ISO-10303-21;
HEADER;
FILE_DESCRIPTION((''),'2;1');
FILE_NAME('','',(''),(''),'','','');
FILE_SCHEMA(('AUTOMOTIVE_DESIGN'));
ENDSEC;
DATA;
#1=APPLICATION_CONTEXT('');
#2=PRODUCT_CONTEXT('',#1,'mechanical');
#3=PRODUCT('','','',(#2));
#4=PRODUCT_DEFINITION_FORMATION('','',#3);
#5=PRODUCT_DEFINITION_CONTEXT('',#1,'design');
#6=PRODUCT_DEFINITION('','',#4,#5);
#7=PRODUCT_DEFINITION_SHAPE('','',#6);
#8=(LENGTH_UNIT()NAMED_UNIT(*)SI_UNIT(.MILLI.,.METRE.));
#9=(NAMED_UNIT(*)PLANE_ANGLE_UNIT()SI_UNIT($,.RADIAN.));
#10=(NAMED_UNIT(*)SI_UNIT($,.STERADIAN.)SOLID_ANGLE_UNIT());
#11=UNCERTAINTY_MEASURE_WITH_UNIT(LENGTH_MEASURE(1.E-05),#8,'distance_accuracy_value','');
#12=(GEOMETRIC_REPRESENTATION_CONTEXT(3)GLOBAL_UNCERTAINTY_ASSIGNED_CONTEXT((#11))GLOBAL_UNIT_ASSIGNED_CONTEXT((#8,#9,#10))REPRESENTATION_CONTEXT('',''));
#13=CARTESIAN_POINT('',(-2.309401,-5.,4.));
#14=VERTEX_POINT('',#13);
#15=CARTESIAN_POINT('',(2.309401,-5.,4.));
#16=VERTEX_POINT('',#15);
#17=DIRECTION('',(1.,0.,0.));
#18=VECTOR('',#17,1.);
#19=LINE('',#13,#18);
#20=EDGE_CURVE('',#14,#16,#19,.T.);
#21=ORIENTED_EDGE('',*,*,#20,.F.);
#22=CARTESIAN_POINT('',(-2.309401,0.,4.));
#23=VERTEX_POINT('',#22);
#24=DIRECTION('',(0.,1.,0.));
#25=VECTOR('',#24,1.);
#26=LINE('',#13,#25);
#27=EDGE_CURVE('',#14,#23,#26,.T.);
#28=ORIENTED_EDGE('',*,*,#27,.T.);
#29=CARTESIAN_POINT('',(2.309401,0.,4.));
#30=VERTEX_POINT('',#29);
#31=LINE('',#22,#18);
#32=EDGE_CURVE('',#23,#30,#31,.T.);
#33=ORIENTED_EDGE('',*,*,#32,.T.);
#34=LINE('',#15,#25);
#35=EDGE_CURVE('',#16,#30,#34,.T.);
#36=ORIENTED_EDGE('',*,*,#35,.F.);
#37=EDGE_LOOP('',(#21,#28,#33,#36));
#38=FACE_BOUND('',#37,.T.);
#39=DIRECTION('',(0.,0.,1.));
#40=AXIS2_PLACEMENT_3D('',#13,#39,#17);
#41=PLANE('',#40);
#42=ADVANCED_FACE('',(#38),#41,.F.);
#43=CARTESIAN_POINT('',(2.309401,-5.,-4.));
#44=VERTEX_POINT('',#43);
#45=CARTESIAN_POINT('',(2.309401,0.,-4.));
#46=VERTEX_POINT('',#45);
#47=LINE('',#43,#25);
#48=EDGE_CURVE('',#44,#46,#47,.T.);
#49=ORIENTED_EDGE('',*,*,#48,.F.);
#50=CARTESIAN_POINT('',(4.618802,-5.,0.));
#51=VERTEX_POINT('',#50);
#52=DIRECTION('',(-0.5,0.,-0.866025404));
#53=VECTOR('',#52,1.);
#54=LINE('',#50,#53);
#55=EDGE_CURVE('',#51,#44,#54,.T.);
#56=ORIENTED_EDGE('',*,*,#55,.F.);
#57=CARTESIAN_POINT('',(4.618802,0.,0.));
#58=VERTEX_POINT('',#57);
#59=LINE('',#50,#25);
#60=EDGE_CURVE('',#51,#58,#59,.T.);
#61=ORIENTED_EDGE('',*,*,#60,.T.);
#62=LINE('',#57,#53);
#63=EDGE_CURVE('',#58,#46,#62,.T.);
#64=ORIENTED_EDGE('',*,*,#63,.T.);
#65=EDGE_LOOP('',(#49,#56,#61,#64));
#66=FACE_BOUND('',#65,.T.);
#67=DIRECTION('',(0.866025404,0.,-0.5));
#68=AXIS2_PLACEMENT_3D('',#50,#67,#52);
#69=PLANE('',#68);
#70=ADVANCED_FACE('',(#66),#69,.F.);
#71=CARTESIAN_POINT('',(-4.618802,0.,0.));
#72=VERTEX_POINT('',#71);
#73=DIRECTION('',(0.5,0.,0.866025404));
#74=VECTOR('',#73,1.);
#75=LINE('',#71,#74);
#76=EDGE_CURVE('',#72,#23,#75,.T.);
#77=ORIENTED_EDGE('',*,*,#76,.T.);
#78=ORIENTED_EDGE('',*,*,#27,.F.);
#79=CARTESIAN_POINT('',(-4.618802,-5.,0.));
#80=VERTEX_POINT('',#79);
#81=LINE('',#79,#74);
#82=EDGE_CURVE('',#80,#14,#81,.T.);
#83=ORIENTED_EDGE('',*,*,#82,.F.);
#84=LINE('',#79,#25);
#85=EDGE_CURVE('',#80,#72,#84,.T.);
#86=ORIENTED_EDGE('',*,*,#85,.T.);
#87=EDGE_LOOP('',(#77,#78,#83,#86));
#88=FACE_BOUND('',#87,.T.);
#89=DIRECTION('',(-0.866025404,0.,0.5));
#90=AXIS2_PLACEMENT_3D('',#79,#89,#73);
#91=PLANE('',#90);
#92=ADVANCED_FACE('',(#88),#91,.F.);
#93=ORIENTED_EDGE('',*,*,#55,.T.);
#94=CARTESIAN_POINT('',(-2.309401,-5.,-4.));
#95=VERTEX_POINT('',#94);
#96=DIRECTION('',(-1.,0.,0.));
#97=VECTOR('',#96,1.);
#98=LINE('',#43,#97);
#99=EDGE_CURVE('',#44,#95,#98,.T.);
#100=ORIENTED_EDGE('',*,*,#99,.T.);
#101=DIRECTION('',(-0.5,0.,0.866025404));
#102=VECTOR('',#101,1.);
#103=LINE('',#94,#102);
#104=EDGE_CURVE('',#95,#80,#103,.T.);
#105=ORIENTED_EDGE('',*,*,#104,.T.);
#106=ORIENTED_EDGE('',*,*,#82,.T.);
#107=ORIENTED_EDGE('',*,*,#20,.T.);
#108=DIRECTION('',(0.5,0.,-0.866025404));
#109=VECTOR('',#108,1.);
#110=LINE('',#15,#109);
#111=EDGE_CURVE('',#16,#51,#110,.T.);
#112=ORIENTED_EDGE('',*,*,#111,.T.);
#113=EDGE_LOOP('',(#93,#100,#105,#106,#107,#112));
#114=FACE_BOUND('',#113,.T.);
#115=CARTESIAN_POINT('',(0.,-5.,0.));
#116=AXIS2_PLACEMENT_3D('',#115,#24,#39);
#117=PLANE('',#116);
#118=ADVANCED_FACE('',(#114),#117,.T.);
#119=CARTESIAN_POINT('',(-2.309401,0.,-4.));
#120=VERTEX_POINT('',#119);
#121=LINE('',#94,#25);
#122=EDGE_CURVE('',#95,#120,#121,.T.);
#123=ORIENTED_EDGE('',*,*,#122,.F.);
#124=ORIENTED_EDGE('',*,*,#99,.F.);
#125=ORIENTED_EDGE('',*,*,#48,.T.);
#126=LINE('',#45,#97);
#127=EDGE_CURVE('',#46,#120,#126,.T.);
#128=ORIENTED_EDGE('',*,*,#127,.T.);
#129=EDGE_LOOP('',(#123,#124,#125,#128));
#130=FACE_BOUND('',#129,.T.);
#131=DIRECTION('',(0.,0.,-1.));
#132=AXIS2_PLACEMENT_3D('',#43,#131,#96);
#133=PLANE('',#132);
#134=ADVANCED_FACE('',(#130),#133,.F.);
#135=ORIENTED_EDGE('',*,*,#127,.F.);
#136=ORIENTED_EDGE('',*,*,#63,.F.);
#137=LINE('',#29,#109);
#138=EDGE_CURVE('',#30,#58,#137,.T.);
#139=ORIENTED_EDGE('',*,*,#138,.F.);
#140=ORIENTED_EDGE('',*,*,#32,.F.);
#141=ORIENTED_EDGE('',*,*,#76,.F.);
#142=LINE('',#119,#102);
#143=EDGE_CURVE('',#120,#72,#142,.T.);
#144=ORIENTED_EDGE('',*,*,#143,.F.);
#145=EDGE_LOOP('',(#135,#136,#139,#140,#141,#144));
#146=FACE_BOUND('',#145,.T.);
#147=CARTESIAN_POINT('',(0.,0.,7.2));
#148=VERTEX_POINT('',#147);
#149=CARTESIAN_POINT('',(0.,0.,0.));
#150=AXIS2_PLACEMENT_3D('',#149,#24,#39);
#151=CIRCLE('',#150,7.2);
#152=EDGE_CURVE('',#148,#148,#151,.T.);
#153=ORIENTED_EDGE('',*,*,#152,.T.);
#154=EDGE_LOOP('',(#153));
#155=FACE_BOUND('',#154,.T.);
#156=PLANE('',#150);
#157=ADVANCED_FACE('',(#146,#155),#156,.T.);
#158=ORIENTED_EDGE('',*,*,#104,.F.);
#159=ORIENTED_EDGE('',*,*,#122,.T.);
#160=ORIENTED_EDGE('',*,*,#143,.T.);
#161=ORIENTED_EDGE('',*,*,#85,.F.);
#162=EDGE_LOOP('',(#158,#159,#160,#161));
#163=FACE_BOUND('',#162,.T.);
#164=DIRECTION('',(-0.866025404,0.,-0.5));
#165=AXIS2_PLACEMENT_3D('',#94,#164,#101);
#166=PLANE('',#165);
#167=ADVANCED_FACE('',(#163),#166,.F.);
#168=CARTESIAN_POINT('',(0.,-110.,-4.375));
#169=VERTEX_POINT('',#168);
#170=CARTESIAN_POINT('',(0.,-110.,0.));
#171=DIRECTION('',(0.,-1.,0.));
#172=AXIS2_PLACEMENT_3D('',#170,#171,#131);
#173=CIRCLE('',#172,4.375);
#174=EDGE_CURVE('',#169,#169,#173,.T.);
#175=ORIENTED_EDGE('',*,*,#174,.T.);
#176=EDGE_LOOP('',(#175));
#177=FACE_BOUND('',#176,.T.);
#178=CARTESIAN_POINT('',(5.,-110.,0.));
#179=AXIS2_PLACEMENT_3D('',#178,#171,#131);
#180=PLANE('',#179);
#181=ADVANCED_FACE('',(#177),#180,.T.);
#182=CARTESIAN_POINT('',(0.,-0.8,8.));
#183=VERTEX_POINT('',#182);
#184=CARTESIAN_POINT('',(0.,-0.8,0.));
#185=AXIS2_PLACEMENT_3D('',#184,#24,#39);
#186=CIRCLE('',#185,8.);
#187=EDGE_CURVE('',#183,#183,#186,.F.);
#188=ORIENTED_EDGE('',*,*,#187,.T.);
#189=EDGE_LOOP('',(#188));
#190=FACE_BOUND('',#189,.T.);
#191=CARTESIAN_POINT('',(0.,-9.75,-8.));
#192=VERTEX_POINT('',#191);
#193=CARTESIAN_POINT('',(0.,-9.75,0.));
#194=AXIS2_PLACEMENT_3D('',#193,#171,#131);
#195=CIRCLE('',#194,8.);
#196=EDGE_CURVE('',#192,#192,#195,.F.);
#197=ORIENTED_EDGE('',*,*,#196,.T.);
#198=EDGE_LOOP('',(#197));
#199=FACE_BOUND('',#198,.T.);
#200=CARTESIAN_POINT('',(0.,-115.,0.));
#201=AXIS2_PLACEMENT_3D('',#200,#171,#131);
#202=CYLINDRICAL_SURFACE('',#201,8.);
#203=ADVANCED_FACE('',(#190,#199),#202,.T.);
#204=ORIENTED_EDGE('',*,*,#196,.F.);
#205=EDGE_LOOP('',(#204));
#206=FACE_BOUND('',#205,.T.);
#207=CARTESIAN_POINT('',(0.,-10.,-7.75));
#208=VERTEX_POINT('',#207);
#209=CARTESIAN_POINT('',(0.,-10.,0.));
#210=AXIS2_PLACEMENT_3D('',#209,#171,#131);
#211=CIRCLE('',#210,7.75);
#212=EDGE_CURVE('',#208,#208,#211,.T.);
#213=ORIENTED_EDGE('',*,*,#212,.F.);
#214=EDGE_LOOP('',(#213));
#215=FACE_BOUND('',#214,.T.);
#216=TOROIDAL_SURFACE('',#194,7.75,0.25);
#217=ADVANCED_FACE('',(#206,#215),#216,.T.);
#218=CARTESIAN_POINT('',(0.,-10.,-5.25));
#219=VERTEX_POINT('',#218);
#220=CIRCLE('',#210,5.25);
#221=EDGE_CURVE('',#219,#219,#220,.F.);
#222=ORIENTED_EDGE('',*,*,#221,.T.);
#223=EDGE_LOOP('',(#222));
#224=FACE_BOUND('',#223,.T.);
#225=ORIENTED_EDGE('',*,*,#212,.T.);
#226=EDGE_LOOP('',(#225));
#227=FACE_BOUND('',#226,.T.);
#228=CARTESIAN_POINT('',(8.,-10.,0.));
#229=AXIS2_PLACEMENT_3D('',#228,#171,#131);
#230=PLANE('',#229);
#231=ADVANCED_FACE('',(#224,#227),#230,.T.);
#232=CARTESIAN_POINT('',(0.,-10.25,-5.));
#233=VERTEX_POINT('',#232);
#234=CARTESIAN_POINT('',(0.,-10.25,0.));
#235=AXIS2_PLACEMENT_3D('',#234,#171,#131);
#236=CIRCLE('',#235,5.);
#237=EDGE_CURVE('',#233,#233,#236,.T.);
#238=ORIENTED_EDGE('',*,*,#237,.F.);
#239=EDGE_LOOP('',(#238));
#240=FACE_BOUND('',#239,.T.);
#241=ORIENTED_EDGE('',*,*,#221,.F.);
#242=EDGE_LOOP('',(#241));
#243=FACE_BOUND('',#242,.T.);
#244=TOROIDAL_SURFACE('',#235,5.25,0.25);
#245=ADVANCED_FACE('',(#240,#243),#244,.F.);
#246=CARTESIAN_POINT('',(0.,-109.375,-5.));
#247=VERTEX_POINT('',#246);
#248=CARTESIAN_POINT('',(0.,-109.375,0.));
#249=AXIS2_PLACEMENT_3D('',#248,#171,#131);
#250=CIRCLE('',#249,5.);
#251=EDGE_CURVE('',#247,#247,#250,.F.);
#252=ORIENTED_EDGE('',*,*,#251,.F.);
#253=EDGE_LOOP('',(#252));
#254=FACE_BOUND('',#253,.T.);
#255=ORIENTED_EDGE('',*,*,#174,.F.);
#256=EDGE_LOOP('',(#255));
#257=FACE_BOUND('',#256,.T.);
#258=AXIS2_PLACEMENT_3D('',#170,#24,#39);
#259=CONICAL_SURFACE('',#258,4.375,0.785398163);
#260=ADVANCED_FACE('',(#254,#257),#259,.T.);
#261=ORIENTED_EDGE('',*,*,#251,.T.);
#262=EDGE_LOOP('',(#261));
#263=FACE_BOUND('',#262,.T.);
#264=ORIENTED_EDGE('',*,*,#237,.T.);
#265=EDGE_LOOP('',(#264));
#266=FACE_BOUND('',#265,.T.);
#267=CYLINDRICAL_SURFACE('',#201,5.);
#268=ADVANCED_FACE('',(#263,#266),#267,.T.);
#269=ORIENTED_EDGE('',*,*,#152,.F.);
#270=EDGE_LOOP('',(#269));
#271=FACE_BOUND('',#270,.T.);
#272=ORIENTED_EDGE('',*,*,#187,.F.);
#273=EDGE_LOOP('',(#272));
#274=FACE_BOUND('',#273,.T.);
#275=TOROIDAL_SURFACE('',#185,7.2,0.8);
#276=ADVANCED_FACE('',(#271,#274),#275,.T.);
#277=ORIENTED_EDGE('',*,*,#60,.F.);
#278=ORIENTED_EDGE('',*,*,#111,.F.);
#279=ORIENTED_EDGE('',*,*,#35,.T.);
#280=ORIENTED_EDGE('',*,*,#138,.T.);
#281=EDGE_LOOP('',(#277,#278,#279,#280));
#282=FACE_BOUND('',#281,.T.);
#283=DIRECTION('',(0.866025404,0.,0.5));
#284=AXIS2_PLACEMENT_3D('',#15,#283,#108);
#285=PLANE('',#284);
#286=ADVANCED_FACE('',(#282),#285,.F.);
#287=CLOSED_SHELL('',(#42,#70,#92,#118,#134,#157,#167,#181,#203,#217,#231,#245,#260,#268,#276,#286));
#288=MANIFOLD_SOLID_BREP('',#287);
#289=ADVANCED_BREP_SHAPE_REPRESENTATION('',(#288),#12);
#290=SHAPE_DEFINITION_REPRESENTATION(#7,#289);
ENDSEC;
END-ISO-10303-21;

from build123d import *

# Parameters (mm, degrees)
CUT_EXTRUDE1_DEPTH = 5
FILLET3_R          = 0.8
CHAMFER1_SIZE      = 0.625
FILLET4_R          = 0.25


with BuildPart() as part:
    # Sketch1 → Revolve1 (revolve)
    with BuildSketch(Plane.XY, mode=Mode.PRIVATE) as revolve1_sk:
        Polygon((0, 0), (8, 0), (8, -10), (5, -10), (5, -110), (0, -110), align=None)
    revolve(revolve1_sk.sketch.rotate(Axis((0, -115, 0), (0, 1, 0)), 90), axis=Axis((0, -115, 0), (0, 1, 0)))

    # Sketch2 → Cut-Extrude1 (cut)
    with BuildSketch(Plane(origin=(0, 0, 0), x_dir=(1, 0, 0), z_dir=(0, 1, 0))):
        Polygon((4.618802154, 0), (2.309401077, 4), (-2.309401077, 4), (-4.618802154, 0), (-2.309401077, -4), (2.309401077, -4), align=None)
    extrude(amount=-CUT_EXTRUDE1_DEPTH, mode=Mode.SUBTRACT)

    # Fillet3
    fillet3_edges = [part.edges().sort_by_distance(p)[0] for p in [
        (0, 0, 8),
    ]]
    fillet(fillet3_edges, radius=FILLET3_R)

    # Chamfer1
    chamfer1_edges = [part.edges().sort_by_distance(p)[0] for p in [
        (0, -110, 5),
    ]]
    chamfer(chamfer1_edges, length=CHAMFER1_SIZE)

    # Fillet4
    fillet4_edges = [part.edges().sort_by_distance(p)[0] for p in [
        (0, -10, 5),
        (0, -10, 8),
    ]]
    fillet(fillet4_edges, radius=FILLET4_R)


solid = part.part
